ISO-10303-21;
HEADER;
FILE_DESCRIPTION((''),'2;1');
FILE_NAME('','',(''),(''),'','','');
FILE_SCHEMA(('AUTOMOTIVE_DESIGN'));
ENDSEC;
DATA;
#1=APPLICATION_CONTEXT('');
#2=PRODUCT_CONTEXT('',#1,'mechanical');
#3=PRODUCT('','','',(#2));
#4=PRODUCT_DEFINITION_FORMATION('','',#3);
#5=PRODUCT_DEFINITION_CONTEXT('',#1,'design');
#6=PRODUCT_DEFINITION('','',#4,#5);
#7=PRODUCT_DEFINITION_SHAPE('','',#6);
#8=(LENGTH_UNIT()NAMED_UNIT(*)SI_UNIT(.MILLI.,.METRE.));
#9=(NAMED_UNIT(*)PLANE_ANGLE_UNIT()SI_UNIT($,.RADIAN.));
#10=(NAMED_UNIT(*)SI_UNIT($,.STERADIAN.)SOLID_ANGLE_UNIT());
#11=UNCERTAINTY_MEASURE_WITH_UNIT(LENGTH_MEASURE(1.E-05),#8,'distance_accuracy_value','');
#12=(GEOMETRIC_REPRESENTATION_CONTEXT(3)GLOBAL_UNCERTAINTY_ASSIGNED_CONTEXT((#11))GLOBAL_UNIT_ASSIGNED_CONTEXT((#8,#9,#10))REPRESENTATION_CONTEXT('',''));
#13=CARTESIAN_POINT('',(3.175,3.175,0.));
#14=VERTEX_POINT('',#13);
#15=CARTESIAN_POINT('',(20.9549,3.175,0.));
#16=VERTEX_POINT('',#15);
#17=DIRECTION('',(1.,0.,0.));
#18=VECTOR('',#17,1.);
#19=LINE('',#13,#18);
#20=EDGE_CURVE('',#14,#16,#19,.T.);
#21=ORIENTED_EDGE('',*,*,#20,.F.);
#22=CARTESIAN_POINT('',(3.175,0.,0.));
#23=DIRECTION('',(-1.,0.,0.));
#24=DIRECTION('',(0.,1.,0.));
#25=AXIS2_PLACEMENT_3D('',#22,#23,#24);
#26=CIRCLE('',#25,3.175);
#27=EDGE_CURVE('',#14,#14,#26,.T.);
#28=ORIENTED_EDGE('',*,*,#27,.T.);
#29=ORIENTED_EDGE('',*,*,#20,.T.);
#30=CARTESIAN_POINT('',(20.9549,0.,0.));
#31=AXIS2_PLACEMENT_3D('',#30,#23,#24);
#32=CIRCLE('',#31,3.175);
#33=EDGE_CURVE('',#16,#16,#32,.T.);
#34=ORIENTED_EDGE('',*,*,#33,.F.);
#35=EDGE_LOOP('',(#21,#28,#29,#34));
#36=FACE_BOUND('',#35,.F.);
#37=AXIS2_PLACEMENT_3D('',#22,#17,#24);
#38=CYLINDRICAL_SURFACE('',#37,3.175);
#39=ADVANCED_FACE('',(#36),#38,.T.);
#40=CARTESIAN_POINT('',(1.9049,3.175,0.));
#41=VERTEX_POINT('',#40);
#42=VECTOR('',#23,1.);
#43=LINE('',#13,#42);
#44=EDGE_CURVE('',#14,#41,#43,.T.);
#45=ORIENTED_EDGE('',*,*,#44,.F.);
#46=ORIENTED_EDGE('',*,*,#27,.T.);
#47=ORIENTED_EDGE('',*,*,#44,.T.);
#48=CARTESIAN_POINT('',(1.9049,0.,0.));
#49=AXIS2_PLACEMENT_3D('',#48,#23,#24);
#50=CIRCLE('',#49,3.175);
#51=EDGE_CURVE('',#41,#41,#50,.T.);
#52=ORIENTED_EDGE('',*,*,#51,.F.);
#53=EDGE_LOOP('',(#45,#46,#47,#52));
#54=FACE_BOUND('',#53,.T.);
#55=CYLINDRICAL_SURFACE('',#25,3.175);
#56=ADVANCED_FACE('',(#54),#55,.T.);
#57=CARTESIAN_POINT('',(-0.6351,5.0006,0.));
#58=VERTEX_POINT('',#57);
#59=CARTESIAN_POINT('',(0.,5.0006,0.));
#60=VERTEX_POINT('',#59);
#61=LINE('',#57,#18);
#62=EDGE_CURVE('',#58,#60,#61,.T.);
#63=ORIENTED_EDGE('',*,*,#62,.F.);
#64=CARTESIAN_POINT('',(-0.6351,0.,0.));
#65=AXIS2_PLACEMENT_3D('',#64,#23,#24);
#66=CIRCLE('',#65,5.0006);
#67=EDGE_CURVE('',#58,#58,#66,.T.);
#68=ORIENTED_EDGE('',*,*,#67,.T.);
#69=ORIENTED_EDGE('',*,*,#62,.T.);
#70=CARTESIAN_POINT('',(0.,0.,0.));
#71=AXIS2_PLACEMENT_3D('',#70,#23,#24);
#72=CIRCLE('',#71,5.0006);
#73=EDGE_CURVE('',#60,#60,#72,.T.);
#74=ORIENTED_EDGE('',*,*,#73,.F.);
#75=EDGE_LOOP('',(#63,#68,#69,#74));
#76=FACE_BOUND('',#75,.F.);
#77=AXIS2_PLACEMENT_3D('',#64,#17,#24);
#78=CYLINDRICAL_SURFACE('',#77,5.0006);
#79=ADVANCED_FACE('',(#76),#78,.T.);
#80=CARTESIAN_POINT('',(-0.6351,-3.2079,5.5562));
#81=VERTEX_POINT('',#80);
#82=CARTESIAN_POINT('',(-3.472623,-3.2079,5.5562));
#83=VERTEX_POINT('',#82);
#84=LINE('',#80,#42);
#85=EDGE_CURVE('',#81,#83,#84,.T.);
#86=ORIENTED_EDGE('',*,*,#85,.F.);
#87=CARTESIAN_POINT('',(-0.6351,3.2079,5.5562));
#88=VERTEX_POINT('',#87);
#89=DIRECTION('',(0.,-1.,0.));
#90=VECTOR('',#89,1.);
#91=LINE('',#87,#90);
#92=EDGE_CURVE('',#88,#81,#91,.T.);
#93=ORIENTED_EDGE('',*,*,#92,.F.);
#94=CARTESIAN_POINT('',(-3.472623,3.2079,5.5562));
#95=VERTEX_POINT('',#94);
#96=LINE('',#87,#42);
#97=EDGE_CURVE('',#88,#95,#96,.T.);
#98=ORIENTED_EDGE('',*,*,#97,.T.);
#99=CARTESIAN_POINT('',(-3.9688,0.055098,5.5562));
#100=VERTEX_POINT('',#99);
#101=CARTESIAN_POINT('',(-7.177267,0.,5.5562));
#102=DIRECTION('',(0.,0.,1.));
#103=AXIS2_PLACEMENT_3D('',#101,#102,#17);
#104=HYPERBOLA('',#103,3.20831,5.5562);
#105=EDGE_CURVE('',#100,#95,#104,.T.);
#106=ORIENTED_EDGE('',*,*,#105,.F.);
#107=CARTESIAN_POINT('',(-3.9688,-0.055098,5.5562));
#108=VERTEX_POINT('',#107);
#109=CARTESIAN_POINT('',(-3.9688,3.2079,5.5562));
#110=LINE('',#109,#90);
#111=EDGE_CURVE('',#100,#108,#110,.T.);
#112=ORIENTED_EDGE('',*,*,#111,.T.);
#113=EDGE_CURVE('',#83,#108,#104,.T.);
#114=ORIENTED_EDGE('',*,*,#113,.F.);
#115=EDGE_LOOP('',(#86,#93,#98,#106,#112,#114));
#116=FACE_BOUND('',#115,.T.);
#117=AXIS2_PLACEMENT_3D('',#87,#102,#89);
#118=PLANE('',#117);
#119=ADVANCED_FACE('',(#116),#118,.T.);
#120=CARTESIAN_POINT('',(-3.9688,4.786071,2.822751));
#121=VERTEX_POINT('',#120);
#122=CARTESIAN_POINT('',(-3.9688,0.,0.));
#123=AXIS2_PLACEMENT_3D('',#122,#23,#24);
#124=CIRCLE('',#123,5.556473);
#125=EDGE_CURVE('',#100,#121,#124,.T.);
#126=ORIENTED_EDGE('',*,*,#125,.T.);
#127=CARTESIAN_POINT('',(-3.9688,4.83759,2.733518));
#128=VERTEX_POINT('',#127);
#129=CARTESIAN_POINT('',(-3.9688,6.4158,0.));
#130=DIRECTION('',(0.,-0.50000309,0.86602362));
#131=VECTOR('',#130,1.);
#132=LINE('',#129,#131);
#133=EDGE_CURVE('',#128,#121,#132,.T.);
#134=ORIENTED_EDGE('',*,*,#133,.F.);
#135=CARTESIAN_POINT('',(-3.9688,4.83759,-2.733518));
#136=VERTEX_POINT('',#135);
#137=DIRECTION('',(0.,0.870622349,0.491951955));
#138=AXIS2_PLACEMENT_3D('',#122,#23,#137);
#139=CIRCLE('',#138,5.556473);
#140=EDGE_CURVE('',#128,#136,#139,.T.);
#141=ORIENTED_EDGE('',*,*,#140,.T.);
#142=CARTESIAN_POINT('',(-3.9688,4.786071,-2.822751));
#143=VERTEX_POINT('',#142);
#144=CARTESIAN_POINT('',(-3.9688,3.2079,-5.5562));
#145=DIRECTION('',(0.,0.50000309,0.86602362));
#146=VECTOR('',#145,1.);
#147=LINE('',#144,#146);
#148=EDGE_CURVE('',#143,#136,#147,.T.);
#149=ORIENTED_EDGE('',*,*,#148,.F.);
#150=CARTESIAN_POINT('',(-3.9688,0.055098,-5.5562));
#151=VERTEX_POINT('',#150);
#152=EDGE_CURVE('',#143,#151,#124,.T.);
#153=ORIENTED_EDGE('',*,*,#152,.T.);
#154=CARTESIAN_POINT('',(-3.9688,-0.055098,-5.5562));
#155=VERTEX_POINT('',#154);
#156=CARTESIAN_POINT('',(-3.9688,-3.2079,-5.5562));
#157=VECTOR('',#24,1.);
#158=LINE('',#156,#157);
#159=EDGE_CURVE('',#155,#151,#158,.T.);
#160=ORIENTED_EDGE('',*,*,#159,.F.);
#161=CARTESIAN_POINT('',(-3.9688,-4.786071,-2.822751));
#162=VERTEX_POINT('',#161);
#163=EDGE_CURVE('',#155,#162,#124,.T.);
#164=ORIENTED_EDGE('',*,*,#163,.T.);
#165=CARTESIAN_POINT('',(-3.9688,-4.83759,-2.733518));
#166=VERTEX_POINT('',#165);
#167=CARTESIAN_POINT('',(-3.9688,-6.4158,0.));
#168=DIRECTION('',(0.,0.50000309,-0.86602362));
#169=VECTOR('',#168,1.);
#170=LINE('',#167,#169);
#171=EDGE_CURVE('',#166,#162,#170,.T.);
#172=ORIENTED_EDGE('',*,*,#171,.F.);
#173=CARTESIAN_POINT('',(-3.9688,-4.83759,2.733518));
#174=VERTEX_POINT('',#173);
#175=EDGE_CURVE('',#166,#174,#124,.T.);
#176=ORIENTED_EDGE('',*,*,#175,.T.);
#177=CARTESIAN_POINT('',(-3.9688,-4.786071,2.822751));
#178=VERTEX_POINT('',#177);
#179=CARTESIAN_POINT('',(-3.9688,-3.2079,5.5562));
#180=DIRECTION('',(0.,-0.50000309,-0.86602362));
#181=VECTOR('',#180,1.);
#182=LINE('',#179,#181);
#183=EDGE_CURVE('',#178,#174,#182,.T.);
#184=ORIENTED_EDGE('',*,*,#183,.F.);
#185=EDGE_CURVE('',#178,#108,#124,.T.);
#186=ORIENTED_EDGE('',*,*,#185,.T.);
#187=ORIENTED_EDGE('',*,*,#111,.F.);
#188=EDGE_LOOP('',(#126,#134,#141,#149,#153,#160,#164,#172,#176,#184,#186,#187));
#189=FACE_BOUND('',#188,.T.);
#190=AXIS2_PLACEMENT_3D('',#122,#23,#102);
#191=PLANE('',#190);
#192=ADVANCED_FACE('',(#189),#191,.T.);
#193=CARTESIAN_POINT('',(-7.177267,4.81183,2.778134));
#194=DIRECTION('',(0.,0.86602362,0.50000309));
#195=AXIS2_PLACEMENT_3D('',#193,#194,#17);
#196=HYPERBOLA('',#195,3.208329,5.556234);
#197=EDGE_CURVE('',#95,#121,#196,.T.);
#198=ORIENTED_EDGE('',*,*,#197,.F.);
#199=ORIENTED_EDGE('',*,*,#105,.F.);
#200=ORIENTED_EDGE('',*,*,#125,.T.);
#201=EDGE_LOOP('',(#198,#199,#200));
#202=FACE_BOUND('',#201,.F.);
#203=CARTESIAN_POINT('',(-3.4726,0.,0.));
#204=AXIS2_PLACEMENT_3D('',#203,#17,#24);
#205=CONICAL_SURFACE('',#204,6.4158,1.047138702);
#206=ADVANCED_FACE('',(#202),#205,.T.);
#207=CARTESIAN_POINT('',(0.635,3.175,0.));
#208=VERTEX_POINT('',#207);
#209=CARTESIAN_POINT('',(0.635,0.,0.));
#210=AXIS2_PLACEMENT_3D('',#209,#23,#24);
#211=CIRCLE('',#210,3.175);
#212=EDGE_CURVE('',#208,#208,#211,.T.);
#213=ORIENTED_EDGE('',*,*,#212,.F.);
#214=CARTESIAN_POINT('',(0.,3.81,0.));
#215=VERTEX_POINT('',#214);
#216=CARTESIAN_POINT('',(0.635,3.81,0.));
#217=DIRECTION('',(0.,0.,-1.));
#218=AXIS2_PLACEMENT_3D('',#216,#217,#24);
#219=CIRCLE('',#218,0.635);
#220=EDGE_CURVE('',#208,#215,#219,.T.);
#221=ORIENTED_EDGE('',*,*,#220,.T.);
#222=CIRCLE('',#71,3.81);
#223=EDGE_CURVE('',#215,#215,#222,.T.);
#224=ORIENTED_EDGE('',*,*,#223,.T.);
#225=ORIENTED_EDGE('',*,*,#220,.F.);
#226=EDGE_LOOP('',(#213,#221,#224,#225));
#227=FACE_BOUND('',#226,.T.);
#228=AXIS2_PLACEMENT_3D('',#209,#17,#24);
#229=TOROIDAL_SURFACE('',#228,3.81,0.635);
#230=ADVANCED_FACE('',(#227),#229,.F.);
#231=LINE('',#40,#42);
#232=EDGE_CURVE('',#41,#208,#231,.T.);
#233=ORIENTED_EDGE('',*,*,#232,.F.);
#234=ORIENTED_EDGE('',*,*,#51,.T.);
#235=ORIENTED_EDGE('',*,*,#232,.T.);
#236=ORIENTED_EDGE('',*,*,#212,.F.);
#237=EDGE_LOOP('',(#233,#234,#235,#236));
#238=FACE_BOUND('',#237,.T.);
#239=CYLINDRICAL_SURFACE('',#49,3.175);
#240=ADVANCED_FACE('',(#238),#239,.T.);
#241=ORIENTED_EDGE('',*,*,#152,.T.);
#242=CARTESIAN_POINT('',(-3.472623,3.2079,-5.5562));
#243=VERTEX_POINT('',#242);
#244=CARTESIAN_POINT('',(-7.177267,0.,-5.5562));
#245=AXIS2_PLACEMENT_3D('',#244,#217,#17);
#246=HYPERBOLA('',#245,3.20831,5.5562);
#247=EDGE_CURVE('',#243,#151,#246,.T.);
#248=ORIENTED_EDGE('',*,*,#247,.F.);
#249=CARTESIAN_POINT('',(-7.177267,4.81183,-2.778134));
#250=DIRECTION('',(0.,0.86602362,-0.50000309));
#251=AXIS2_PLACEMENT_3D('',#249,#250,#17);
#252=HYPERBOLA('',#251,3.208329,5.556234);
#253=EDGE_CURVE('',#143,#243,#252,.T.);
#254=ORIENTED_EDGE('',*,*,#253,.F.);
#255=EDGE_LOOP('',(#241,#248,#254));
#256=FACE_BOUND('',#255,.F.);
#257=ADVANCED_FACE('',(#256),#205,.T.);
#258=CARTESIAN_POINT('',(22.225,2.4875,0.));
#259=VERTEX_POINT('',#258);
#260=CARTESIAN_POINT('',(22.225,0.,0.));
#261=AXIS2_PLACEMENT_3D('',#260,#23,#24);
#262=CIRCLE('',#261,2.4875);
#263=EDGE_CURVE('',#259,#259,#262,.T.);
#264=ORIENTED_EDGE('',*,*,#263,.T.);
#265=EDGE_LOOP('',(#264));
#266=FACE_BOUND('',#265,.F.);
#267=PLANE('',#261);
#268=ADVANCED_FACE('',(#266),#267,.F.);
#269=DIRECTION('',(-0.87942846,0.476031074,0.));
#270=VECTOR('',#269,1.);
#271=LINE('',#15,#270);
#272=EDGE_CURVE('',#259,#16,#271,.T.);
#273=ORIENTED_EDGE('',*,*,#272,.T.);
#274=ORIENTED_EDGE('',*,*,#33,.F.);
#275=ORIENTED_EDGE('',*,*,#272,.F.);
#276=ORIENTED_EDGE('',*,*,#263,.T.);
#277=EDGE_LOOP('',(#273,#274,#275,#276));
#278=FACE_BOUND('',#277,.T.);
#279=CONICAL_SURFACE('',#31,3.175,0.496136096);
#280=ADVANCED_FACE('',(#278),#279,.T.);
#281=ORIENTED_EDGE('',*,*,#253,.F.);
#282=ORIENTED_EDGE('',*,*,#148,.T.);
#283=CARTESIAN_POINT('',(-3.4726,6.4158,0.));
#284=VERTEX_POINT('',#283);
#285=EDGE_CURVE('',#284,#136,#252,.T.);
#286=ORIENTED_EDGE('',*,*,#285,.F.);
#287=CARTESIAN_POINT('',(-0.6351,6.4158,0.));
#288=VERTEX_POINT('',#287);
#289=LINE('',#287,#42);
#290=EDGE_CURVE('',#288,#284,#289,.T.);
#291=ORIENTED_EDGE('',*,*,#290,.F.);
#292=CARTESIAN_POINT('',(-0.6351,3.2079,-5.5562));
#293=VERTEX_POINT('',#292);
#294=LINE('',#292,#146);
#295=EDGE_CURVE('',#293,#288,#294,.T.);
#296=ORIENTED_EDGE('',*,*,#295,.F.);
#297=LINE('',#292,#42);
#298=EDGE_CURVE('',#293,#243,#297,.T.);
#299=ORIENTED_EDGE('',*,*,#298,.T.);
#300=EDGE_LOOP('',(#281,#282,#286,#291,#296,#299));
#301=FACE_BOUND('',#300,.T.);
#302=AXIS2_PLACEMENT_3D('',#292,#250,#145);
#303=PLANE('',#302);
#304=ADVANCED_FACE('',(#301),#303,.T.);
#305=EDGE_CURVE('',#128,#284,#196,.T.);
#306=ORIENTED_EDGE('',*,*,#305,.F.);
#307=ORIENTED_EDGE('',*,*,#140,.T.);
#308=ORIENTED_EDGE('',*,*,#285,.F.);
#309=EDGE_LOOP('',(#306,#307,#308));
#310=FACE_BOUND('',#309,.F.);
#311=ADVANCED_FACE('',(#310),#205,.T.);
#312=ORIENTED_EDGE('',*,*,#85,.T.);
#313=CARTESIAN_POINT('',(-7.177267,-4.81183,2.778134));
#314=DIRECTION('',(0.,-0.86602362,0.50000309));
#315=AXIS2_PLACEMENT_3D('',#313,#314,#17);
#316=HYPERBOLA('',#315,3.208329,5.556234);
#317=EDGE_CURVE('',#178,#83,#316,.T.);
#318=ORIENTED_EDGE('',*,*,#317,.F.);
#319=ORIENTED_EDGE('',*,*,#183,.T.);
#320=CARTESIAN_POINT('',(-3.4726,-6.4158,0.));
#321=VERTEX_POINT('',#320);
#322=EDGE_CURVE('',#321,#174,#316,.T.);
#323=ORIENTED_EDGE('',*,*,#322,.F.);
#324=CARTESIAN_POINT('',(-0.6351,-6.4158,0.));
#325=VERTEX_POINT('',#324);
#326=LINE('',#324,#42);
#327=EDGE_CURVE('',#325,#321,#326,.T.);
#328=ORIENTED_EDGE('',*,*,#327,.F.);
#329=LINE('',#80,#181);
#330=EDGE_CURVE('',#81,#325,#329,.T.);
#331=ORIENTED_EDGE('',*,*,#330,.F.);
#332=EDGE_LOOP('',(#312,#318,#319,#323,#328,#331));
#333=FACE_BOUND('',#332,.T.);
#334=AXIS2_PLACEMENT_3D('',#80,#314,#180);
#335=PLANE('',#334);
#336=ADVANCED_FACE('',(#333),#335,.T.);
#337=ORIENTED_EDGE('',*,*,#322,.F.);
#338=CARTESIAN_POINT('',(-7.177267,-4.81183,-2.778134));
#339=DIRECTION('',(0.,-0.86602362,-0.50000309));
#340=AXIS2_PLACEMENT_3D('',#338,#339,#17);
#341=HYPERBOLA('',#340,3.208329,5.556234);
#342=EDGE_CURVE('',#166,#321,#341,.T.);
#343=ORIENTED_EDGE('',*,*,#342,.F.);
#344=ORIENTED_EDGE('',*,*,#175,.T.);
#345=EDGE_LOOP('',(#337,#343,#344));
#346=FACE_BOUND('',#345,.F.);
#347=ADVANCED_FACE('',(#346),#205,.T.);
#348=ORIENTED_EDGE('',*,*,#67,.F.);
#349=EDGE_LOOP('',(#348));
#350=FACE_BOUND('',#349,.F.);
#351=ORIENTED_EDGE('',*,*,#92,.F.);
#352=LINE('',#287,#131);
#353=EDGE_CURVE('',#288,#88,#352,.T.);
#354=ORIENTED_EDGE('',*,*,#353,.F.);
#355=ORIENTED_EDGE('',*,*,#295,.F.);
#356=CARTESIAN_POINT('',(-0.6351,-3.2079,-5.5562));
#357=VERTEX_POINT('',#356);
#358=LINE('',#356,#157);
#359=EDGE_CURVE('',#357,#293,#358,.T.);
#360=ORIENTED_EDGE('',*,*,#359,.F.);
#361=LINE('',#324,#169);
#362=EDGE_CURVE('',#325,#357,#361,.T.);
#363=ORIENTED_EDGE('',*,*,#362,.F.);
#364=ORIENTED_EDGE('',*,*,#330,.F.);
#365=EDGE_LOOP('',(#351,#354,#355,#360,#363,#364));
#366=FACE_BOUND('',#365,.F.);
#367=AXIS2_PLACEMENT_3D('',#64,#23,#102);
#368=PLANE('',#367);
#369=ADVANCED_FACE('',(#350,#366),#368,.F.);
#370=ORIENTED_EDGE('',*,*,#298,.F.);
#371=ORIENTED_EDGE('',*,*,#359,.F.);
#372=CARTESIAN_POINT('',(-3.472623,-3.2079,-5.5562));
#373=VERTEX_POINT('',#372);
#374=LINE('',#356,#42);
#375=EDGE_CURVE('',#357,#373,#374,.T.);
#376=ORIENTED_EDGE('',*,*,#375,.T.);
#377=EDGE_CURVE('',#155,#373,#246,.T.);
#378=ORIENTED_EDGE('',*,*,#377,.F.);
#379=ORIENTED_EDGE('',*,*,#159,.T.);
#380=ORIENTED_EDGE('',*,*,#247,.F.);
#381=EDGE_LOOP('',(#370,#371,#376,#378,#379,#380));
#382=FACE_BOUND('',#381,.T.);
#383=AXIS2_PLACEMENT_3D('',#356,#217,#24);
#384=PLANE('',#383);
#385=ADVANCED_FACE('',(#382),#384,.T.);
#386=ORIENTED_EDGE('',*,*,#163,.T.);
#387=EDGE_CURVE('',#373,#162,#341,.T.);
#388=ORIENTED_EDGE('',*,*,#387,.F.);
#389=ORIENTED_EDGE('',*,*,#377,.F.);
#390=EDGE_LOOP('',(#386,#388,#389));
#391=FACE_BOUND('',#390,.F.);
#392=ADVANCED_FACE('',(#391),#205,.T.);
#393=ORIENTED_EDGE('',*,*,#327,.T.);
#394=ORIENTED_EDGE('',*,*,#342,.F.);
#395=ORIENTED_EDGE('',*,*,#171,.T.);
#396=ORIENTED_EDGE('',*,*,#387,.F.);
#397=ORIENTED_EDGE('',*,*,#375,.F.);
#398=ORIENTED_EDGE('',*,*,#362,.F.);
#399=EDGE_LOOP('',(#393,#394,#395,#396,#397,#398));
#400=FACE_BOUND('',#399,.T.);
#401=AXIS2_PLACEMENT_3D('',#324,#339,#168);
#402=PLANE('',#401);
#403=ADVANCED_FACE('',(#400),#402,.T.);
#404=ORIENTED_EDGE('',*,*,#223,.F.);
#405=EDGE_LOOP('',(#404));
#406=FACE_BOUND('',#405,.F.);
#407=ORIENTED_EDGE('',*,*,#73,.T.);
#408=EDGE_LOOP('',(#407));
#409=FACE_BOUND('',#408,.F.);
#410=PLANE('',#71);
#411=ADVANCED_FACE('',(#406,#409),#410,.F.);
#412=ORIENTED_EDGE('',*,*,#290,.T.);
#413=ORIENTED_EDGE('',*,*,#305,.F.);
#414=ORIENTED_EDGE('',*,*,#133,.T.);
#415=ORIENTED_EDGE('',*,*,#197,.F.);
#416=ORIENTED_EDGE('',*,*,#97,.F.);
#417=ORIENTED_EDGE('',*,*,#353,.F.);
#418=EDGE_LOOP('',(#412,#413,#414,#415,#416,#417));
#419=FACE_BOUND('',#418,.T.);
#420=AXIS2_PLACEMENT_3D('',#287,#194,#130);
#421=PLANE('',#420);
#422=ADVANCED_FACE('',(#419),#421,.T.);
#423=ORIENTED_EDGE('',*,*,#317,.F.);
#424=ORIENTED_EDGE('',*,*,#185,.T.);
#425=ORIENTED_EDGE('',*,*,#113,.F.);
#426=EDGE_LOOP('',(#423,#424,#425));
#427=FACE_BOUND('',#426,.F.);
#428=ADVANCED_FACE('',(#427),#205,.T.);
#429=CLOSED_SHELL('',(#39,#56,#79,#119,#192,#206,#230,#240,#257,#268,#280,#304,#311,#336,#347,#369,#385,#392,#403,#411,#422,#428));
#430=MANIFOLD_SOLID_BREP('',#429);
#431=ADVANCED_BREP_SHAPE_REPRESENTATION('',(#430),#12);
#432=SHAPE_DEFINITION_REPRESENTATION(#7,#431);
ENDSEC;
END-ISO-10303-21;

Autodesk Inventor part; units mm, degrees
ref_plane "YZ Plane" through (0, 0, 0) normal (1, 0, 0) x (0, 1, 0)
ref_plane "XZ Plane" through (0, 0, 0) normal (0, 1, 0) x (-1, 0, 0)
sketch "Sketch1" plane through (0, 0, 0) normal (0, 0, 1) x (1, 0, 0)
  line L0 (0, 5.0006) -> (0, 3.175)
  line L1 (3.175, 3.175) -> (22.225, 3.175)
  line L2 (22.225, 3.175) -> (22.225, 0)
  line L3 (22.225, 0) -> (-0.6351, 0)
  line L4 (-5.2071, 0) -> (26.797, 0) projected
  line L5 (-0.6351, 0) -> (-0.6351, 5.0006)
  line L6 (-0.6351, 5.0006) -> (0, 5.0006)
  line L7 (3.175, 3.175) -> (1.9049, 3.175)
  line L8 (1.9049, 3.175) -> (0, 3.175)
  line L9 (0, -1.0001) -> (0, 6.0007) projected
  dimension "d0" = 22.225
  dimension "d1" = 19.05
  dimension "d2" = 6.35
  dimension "d9" = 0.6351
  dimension "d10" = 10.0013
  dimension "d13" = 1.2701
  dimension "d14" = 6.35
revolve "Body" add sketch "Sketch1" angle 360 about axis through (22.225, 0, 0) along (-1, 0, 0)
sketch "Sketch2" plane through (-0.6351, 0, 0) normal (-1, 0, 0) x (0, 0, 1)
  line L0 (0, 6.4158) -> (5.5562, 3.2079)
  line L1 (5.5562, 3.2079) -> (5.5562, -3.2079)
  line L2 (5.5562, -3.2079) -> (0, -6.4158)
  line L3 (0, -6.4158) -> (-5.5562, -3.2079)
  line L4 (-5.5562, -3.2079) -> (-5.5562, 3.2079)
  line L5 (-5.5562, 3.2079) -> (0, 6.4158)
  point P0 (0, 0)
  point P1 (0, 0)
  dimension "d11" = 11.1125
extrude "Head" add sketch "Sketch2" along normal blind 3.3337
sketch "Sketch4" plane through (0, 0, 0) normal (0, 0, 1) x (1, 0, 0)
  line L0 (-3.9689, 5.5563) -> (-3.9689, 6.4158)
  line L1 (-3.9689, 6.4158) -> (-3.4726, 6.4158)
  line L2 (-3.4726, 6.4158) -> (-3.9689, 5.5563)
  line L3 (-4.6356, 0) -> (0.0317, 0) projected
  line L4 (-0.6351, 6.4158) -> (-3.9688, 6.4158) projected
  line L5 (-3.9688, 3.2079) -> (-3.9688, 6.4158) projected
  dimension "d5" = 30
  dimension "d19" = 11.1125
revolve "Chamfer1" cut sketch "Sketch4" angle 360 about axis through (-10, 0, 0) along (1, 0, 0)
thread "Thread" size "1/4-20 UNC" class "2A" standard "ANSI Unified Screw Threads" length 19.05
chamfer "Chamfer2" distance 0.6875 distance2 1.2701 1 edges at (22.225, -3.175, 0) measured on face at (22.225, -0.1276, -1.0506)
ref_plane "Work Plane1" through (1.525, 0, 0) normal (0, 0, 1) x (1, 0, 0)
fillet "Fillet2" radius 0.635 1 edges at (0, -3.175, 0)
equation "\"d0\" = NLG"
equation "\"d1\" = GEL"
equation "\"d2\" = GD"
equation "\"d10\" = SD2"
equation "\"d14\" = BDM"
equation "\"d11\" = SW"
equation "\"d3\" = KOH - SD"
equation "\"d5\" = ANG1"
equation "\"d19\" = SW0"
equation "\"d63\" = R"
equation "\"d15\" = GEL"
equation "\"d6\" = -0.5 * SPD + 0.5 * GD"
equation "\"NLG\" = 22.225"
equation "\"GD\" = NND"
equation "\"BDM\" = 6.35"
equation "\"KOH\" = 3.96875"
equation "\"GEL\" = 19.05"
equation "\"SW\" = 11.1125"
equation "\"SW0\" = SW"
equation "\"SPD\" = 4.9751"
equation "\"SD2\" = 10.00125"
equation "\"SD\" = 0.635"
equation "\"ANG1\" = 30deg"
equation "\"GAL\" = 1.27"
equation "\"GUL\" = 1.27"
equation "\"R\" = 0.635"
equation "\"d62\" = -NLG - SD + GUL"
equation "\"THREADDIA\" = 6.35"
equation "\"TOA\" = 30deg"
equation "\"RR\" = 0.254"
equation "\"NND\" = 6.35"
equation "\"E0\" = 1.155 * SW"
equation "\"SLG\" = 0"
equation "\"GD1\" = 4.9751"
properties part number "ANSI B18.2.1 - 1/4-20 UNC - 0.875" material "Steel, Mild"
